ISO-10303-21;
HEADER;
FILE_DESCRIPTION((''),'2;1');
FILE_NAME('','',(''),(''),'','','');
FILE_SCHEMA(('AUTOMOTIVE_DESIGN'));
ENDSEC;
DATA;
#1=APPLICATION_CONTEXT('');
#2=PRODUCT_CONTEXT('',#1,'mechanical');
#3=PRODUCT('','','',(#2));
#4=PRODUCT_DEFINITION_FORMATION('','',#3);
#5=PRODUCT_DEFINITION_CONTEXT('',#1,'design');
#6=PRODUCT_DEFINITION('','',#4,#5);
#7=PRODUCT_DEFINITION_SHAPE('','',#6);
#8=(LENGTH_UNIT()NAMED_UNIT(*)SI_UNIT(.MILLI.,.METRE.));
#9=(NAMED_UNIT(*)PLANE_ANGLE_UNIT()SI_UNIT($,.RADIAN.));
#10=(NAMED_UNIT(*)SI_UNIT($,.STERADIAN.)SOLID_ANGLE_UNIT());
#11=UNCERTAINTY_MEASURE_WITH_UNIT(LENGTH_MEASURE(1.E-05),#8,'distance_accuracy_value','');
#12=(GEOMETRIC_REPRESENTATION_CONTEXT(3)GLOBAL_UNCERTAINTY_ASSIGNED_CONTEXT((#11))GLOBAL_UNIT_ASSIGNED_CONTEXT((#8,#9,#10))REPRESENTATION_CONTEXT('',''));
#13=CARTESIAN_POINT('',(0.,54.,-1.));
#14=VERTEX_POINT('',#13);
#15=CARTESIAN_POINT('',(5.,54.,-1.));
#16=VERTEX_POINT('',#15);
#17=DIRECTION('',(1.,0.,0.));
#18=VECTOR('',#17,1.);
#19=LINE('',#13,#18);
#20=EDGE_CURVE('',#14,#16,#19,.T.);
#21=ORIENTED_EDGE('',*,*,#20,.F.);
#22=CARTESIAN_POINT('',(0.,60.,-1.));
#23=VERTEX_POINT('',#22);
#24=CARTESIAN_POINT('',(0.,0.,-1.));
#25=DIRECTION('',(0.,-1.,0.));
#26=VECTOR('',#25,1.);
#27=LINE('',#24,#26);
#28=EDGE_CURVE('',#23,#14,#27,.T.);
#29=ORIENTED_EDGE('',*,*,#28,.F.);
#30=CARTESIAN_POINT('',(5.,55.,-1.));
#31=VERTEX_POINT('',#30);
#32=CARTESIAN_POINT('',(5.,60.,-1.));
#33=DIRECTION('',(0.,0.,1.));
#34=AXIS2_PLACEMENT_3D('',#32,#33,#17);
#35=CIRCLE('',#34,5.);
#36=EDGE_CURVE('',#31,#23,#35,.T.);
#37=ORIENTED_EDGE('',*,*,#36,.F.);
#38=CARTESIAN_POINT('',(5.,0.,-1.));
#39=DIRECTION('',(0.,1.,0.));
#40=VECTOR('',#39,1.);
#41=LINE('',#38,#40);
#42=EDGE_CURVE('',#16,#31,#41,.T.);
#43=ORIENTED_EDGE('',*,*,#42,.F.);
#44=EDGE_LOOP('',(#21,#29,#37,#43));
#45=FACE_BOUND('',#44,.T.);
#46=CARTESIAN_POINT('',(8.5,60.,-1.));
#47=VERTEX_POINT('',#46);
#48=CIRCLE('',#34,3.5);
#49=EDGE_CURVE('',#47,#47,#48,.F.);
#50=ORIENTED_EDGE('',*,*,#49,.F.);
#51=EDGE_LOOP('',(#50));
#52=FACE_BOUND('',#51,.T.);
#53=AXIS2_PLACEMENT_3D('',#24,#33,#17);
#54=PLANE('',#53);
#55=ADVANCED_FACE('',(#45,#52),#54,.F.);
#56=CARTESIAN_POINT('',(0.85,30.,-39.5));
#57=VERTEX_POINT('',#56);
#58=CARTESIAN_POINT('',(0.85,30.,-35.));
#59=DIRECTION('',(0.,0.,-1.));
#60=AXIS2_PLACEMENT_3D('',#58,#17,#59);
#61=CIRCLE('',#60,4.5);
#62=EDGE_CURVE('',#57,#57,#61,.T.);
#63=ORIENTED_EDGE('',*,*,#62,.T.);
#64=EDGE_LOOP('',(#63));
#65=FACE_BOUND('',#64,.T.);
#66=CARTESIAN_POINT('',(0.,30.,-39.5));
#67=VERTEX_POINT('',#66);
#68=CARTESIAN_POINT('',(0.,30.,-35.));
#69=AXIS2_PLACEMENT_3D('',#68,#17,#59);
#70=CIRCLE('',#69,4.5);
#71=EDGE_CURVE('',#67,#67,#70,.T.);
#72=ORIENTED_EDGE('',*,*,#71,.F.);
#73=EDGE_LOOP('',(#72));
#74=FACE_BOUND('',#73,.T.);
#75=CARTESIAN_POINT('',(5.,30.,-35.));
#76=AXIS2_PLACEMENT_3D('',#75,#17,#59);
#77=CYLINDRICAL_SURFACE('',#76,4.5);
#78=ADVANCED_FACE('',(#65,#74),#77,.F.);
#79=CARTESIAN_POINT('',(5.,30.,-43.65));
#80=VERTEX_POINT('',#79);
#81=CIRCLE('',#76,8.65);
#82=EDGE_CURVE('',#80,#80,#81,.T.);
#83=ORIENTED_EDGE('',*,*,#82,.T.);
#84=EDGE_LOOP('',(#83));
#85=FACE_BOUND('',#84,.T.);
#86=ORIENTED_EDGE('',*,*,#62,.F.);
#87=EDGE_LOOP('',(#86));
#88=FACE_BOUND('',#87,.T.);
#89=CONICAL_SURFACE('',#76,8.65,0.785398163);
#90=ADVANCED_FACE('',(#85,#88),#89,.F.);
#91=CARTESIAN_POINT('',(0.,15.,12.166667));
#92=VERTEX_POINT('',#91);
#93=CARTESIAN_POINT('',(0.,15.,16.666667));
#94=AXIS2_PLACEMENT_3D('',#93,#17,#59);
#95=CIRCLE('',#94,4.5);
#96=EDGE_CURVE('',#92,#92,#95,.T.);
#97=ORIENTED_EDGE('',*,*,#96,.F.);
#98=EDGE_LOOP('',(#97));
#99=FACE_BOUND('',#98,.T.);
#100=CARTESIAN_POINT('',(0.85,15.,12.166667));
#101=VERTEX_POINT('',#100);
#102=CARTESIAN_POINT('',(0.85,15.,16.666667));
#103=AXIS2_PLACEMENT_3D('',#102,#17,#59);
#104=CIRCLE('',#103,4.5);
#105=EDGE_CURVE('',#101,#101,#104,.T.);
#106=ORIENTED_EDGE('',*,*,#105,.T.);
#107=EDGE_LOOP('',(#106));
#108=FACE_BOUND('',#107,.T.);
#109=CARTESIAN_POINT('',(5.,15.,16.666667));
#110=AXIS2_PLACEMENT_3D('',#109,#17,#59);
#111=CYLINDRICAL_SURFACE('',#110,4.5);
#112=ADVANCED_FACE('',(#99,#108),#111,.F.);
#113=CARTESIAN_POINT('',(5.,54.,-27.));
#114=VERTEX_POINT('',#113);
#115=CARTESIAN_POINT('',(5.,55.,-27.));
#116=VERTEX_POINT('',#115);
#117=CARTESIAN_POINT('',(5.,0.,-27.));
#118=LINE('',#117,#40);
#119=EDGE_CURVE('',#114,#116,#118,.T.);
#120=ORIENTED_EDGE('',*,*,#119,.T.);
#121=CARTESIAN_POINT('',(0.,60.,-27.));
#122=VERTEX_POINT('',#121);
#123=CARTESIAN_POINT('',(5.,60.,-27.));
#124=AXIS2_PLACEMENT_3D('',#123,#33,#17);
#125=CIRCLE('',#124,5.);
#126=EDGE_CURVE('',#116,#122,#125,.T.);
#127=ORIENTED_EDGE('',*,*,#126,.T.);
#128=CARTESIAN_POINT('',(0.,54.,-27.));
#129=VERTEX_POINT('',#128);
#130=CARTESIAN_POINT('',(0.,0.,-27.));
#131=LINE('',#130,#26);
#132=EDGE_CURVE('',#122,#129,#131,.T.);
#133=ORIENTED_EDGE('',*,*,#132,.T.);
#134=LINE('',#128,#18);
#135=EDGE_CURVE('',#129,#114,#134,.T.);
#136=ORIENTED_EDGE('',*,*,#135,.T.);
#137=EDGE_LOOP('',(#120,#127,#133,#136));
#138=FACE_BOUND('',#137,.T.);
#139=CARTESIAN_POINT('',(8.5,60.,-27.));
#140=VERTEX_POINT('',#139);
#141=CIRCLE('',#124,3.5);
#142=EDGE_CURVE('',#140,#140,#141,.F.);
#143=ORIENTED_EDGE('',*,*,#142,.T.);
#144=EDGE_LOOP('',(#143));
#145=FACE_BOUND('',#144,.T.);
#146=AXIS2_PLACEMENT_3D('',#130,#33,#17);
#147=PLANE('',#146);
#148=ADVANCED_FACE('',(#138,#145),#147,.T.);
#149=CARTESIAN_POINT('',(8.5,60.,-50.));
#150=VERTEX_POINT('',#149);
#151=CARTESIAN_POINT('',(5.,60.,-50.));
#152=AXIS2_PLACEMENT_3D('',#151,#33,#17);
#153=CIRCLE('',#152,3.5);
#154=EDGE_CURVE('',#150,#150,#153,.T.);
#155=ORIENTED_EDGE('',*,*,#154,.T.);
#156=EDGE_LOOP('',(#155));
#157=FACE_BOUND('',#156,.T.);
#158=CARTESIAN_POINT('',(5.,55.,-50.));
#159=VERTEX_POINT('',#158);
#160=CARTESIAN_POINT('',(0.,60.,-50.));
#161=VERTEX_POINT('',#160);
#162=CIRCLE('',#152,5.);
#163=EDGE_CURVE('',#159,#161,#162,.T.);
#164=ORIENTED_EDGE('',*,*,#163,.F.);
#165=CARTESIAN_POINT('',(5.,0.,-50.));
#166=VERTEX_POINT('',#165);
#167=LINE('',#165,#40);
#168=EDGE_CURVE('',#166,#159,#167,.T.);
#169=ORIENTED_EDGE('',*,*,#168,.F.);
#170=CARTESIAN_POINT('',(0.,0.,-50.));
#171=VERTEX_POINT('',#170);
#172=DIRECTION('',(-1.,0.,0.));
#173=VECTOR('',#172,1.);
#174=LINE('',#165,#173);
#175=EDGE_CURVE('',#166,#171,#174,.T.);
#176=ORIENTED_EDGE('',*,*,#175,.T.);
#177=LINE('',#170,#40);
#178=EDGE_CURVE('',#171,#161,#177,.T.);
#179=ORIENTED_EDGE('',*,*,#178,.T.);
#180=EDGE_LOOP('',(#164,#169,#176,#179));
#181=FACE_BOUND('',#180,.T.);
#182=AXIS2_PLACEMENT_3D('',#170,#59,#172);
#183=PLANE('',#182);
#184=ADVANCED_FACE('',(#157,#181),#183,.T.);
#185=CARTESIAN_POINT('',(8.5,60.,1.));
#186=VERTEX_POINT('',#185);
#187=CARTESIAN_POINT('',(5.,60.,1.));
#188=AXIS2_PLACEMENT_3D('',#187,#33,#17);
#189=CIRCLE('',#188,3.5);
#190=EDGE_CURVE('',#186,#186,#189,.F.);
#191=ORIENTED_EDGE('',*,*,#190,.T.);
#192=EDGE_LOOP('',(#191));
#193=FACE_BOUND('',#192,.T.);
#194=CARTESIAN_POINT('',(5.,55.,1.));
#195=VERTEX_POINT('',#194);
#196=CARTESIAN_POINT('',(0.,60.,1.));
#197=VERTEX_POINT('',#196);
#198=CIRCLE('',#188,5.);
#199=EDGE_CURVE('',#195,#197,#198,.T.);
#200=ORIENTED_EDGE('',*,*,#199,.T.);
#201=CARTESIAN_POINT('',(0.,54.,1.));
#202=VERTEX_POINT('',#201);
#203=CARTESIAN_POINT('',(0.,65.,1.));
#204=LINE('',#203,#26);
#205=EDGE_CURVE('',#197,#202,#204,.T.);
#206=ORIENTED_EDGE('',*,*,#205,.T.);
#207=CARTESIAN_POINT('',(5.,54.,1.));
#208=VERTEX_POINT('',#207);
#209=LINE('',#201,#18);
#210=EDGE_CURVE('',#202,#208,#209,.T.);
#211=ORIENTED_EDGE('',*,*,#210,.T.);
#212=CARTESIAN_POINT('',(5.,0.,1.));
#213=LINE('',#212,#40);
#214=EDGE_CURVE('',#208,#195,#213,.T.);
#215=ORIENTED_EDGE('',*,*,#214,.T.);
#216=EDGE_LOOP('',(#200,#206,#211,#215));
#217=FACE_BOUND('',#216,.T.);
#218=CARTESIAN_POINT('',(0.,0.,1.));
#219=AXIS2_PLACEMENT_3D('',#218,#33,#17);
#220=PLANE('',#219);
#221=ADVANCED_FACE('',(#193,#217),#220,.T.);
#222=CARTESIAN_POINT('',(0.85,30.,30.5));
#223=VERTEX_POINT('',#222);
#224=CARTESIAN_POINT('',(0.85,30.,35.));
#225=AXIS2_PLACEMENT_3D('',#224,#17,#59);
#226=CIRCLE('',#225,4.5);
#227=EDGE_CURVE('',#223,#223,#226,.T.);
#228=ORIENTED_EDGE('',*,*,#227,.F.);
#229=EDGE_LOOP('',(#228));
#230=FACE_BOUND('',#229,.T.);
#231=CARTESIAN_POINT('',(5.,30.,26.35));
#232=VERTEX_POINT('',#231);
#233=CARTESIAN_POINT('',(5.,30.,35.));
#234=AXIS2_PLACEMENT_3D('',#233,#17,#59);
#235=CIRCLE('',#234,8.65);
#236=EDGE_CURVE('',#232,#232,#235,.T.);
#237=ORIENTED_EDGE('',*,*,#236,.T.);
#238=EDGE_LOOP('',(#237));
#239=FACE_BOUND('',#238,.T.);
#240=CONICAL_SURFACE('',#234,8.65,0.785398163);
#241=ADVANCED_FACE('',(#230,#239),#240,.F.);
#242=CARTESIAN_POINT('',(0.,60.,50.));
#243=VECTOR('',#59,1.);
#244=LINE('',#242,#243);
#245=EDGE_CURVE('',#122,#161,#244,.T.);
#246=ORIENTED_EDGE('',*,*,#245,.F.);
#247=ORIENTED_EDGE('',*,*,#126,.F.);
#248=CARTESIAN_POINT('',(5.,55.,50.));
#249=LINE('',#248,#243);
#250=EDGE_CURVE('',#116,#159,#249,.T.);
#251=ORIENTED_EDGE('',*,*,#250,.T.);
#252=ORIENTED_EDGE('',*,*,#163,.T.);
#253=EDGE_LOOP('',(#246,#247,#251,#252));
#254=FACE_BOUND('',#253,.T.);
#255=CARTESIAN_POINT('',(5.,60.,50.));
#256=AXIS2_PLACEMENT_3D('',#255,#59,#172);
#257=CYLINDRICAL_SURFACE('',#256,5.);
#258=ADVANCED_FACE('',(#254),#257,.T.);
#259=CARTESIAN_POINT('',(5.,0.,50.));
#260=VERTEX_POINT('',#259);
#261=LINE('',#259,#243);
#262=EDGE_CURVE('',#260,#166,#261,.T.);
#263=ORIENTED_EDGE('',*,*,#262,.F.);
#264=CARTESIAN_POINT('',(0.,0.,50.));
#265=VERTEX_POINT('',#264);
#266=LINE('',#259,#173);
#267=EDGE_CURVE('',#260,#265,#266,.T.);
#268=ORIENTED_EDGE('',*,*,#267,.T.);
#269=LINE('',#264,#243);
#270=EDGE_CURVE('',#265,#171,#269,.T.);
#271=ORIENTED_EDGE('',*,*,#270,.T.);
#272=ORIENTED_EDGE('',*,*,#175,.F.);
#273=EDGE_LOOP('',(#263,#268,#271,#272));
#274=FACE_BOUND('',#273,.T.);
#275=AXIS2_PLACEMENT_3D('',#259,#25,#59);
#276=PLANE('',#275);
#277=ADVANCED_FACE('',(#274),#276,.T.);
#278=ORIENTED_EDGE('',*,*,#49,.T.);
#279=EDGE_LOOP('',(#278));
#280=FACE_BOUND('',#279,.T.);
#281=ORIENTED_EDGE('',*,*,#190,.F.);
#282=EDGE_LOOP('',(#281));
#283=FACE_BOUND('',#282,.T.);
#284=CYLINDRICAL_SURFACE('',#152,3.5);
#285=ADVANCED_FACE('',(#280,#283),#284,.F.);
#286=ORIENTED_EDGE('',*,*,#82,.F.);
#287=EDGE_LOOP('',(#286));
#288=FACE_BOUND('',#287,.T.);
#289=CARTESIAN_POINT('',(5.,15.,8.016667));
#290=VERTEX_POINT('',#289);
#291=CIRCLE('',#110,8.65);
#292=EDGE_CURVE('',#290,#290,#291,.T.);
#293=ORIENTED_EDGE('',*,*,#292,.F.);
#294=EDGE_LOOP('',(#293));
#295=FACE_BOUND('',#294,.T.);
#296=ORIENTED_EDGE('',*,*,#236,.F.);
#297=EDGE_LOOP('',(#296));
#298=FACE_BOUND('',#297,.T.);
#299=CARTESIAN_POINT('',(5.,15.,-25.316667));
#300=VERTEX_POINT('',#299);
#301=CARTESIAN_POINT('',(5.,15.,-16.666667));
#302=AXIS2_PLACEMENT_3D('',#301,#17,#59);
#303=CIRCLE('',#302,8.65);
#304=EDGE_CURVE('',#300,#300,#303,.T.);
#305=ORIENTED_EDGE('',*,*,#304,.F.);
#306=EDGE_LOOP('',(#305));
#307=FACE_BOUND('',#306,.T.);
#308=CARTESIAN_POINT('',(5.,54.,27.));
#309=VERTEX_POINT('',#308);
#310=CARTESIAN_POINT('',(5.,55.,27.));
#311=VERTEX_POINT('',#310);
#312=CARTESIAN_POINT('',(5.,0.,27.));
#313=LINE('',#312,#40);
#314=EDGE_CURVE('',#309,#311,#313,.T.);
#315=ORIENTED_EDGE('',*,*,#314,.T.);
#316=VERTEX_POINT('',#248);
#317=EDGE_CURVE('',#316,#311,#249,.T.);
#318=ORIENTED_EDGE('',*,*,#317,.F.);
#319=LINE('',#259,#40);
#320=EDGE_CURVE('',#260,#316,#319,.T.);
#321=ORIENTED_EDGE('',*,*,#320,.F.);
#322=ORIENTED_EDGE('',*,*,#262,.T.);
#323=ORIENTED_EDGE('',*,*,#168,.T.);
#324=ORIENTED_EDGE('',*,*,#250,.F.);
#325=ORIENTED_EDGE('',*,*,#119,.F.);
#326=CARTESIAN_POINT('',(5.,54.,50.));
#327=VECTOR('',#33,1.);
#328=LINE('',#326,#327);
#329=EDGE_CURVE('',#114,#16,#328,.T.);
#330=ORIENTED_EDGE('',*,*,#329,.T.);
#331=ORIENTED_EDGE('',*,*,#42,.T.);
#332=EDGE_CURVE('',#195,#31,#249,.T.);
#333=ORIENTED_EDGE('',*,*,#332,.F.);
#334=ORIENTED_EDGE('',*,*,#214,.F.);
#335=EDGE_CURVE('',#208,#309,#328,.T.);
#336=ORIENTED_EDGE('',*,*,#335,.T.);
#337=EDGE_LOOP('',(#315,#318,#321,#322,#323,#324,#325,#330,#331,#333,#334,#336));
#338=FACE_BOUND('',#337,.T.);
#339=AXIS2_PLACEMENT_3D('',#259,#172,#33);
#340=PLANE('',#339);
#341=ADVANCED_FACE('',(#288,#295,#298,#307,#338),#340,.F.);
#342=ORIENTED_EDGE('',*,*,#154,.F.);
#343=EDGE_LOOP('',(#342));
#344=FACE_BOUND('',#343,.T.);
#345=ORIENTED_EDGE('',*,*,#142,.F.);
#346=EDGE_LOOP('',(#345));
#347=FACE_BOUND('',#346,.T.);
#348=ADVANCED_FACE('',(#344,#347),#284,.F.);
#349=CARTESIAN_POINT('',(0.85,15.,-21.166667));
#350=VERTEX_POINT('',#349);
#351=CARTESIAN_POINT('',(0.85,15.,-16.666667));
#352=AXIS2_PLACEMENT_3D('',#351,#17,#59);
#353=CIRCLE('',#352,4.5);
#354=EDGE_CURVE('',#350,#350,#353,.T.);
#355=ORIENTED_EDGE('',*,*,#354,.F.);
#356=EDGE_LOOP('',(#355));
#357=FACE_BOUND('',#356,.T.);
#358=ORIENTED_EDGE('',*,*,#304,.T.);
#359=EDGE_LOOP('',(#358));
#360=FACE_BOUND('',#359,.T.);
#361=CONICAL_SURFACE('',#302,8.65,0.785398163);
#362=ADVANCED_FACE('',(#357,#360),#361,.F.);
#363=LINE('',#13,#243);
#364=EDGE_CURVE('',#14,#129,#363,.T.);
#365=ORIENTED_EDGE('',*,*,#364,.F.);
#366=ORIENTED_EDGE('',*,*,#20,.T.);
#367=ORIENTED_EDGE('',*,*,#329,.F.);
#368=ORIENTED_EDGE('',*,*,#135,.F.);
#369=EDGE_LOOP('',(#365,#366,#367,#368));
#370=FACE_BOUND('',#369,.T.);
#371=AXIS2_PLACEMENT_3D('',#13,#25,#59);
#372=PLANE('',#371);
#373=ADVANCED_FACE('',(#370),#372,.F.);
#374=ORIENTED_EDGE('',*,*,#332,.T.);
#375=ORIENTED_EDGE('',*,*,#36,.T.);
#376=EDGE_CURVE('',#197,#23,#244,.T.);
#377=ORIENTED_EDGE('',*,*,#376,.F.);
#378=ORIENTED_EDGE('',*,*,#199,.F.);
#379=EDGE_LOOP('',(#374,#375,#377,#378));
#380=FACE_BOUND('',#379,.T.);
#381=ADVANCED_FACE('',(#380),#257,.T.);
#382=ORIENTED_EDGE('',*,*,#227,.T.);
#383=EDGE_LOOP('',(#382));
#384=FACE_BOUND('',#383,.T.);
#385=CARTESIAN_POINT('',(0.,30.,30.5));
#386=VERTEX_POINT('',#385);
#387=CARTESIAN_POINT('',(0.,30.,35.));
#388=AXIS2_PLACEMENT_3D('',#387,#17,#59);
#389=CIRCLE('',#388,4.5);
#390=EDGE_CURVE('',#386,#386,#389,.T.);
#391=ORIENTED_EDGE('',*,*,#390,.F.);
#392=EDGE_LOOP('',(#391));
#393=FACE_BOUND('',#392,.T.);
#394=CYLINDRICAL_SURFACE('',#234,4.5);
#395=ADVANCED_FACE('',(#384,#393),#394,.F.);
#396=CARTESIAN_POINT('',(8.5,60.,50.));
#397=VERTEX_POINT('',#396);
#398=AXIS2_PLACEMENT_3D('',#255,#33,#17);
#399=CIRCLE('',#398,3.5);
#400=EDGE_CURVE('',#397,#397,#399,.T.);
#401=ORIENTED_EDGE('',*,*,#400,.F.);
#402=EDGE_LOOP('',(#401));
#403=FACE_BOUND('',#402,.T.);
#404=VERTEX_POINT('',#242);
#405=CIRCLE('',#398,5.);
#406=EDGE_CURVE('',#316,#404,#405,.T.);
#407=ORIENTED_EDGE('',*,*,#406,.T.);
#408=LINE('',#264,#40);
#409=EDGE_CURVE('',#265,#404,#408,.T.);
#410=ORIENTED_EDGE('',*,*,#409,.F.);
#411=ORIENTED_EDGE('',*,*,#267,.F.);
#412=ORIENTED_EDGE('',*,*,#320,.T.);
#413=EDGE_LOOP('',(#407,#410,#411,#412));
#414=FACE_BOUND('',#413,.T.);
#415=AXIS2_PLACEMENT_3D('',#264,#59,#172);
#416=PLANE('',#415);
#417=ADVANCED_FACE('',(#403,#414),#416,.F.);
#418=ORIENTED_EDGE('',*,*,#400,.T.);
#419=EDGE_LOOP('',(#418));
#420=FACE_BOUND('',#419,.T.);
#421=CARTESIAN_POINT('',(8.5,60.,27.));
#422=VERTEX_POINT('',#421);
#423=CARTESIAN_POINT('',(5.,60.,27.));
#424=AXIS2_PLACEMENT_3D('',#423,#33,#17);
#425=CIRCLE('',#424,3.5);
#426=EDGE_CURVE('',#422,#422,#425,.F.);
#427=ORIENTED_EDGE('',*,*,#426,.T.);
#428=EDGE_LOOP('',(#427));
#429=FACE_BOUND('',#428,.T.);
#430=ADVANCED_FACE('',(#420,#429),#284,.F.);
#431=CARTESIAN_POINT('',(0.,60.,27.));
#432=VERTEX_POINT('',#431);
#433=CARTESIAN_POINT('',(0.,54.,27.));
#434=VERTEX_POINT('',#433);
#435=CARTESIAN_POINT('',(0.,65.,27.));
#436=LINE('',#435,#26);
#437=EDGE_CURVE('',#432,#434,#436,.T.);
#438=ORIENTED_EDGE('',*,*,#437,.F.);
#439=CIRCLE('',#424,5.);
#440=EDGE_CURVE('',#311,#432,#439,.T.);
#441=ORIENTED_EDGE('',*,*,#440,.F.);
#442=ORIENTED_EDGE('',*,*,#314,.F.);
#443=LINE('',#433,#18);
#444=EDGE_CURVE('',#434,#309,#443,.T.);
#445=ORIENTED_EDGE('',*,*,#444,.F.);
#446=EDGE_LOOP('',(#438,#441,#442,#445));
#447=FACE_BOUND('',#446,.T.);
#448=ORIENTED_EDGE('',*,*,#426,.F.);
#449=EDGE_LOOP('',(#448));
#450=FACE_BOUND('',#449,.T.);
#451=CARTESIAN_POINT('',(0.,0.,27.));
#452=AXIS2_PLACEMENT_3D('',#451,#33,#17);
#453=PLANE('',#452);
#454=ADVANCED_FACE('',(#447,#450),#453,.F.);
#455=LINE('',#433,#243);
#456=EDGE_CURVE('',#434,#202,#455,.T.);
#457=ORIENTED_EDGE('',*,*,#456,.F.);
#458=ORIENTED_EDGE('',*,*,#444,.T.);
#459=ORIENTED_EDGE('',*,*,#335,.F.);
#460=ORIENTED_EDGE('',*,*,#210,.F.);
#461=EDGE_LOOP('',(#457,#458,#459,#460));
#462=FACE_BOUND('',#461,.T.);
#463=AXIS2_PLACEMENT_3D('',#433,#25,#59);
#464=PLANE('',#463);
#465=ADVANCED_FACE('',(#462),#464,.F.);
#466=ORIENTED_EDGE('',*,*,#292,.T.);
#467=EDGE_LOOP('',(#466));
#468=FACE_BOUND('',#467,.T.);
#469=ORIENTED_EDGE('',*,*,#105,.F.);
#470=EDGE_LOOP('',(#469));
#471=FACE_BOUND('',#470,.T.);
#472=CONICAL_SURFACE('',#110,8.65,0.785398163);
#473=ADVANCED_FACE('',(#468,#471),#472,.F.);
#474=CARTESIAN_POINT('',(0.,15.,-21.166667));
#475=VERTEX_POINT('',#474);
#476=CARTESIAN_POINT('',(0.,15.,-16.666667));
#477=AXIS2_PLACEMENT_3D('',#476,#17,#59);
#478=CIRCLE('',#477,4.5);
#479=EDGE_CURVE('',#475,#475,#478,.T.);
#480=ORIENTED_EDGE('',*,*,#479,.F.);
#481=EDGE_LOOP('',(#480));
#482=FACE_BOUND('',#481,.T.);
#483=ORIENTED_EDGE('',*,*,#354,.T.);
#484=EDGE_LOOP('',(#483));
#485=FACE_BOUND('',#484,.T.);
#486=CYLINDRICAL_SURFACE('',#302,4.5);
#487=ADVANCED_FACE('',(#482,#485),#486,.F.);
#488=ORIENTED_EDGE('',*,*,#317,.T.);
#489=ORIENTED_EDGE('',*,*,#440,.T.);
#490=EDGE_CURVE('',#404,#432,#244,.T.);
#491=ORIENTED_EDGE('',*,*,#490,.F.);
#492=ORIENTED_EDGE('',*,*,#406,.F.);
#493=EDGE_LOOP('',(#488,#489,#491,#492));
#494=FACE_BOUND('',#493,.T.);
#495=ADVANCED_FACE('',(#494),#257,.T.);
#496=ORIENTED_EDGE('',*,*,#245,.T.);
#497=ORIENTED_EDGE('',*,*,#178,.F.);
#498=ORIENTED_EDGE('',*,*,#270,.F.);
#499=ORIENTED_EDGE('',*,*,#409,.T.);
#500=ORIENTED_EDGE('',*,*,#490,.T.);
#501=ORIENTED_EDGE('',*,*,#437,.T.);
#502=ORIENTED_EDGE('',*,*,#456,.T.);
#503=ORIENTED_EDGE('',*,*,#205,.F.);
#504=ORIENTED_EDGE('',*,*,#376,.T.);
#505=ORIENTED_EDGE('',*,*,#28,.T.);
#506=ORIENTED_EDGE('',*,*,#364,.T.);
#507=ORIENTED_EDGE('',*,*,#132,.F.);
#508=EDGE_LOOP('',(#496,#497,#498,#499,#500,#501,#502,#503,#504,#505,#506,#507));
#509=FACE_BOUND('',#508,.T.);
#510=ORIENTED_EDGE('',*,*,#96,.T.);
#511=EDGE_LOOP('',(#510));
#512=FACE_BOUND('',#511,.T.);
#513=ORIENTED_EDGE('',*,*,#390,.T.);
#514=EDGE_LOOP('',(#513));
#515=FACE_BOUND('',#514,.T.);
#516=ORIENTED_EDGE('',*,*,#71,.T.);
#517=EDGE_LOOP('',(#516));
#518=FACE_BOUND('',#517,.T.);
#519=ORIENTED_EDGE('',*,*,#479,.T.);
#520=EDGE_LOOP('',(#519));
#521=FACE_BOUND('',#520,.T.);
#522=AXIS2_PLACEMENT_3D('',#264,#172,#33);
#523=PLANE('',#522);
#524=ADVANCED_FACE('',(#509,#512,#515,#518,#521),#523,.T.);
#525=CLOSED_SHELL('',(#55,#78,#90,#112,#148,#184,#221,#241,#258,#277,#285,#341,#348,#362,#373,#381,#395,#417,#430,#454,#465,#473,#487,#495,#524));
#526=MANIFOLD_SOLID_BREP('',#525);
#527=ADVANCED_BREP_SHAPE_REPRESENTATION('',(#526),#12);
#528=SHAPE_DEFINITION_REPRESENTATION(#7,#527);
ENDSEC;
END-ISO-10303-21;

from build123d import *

# Parameters (mm, degrees)
SKETCH1_W                                      = 5
SKETCH1_H                                      = 60
EXTRUDE_THIN1_DEPTH                            = 50
SKETCH2_R                                      = 5
SKETCH3_R                                      = 3.5
CUT_EXTRUDE1_DEPTH                             = 120.687092036
CSK_FOR_M8_FLAT_HEAD_MACHINE_SCREW1_AT_2_COUNT = 2
CSK_FOR_M8_FLAT_HEAD_MACHINE_SCREW1_AT_2_PITCH = 23.687784006
F_2CUTS_DEPTH                                  = 83.158383626
F_2CUTS_DEPTH_BACK                             = 83.158383626
SKETCH8_W                                      = 26
SKETCH8_H                                      = 11


with BuildPart() as part:
    # Sketch1 → Extrude-Thin1 (new, symmetric)
    with BuildSketch(Plane.XY):
        with Locations((2.5, 30)):
            Rectangle(SKETCH1_W, SKETCH1_H)
    extrude(amount=EXTRUDE_THIN1_DEPTH, both=True)

    # Sweep1: sweep along a curve in space
    with BuildLine() as sweep1_path:
        Line((0, 60, 50), (0, 60, -50))
    # Sketch2 → Sweep1 (sweep)
    with BuildSketch(Plane.XY.offset(50)):
        with Locations((5, 60)):
            Circle(SKETCH2_R)
    sweep(path=sweep1_path.line)

    # Sketch3 → Cut-Extrude1 (cut, through all)
    with BuildSketch(Plane.XY.offset(50)):
        with Locations((5, 60)):
            Circle(SKETCH3_R)
    extrude(amount=-CUT_EXTRUDE1_DEPTH, mode=Mode.SUBTRACT)

    # Sketch5 → CSK for M8 Flat Head Machine Screw1 (revolve, cut)
    with BuildSketch(Plane(origin=(5, 30, 35), x_dir=(0, 0, -1), z_dir=(0, 1, 0))):
        Polygon((0, 0), (0, 5), (4.5, 5), (4.5, 4.15), (8.65, 0), align=None)
    csk_for_m8_flat_head_machine_screw1 = revolve(axis=Axis((11.35, 30, 35), (-1, 0, 0)), mode=Mode.SUBTRACT)

    # CSK for M8 Flat Head Machine Screw1 at 2: CSK for M8 Flat Head Machine Screw1 ×2
    with Locations(*[Vector(0, -0.6332377902572628, -0.773957299203321) * (i * CSK_FOR_M8_FLAT_HEAD_MACHINE_SCREW1_AT_2_PITCH) for i in range(1, CSK_FOR_M8_FLAT_HEAD_MACHINE_SCREW1_AT_2_COUNT)]):
        add(csk_for_m8_flat_head_machine_screw1, mode=Mode.SUBTRACT)

    # Mirror1: CSK for M8 Flat Head Machine Screw1 across plane
    add(csk_for_m8_flat_head_machine_screw1.mirror(Plane.XY), mode=Mode.SUBTRACT)

    # Mirror1 copy 1 sketch → Mirror1 copy 1 (revolve, cut)
    with BuildSketch(Plane(origin=(5, 15, -16.666666667), x_dir=(0, 0, 1), z_dir=(0, 1, 0))):
        Polygon((0, 0), (0, -5), (4.5, -5), (4.5, -4.15), (8.65, 0), align=None)
    revolve(axis=Axis((11.35, 15, -16.666666667), (1, 0, 0)), mode=Mode.SUBTRACT)

    # Sketch8 → 2Cuts (cut, two sides: drawn at the far end of the back side and taken through both)
    with BuildSketch(Plane(origin=(5, 0, 0), x_dir=(0, 0, -1), z_dir=(1, 0, 0)).offset(-F_2CUTS_DEPTH_BACK)):
        with Locations((-14, 59.5)):
            Rectangle(SKETCH8_W, SKETCH8_H)
        with Locations((14, 59.5)):
            Rectangle(SKETCH8_W, SKETCH8_H)
    extrude(amount=F_2CUTS_DEPTH + F_2CUTS_DEPTH_BACK, mode=Mode.SUBTRACT)


solid = part.part
